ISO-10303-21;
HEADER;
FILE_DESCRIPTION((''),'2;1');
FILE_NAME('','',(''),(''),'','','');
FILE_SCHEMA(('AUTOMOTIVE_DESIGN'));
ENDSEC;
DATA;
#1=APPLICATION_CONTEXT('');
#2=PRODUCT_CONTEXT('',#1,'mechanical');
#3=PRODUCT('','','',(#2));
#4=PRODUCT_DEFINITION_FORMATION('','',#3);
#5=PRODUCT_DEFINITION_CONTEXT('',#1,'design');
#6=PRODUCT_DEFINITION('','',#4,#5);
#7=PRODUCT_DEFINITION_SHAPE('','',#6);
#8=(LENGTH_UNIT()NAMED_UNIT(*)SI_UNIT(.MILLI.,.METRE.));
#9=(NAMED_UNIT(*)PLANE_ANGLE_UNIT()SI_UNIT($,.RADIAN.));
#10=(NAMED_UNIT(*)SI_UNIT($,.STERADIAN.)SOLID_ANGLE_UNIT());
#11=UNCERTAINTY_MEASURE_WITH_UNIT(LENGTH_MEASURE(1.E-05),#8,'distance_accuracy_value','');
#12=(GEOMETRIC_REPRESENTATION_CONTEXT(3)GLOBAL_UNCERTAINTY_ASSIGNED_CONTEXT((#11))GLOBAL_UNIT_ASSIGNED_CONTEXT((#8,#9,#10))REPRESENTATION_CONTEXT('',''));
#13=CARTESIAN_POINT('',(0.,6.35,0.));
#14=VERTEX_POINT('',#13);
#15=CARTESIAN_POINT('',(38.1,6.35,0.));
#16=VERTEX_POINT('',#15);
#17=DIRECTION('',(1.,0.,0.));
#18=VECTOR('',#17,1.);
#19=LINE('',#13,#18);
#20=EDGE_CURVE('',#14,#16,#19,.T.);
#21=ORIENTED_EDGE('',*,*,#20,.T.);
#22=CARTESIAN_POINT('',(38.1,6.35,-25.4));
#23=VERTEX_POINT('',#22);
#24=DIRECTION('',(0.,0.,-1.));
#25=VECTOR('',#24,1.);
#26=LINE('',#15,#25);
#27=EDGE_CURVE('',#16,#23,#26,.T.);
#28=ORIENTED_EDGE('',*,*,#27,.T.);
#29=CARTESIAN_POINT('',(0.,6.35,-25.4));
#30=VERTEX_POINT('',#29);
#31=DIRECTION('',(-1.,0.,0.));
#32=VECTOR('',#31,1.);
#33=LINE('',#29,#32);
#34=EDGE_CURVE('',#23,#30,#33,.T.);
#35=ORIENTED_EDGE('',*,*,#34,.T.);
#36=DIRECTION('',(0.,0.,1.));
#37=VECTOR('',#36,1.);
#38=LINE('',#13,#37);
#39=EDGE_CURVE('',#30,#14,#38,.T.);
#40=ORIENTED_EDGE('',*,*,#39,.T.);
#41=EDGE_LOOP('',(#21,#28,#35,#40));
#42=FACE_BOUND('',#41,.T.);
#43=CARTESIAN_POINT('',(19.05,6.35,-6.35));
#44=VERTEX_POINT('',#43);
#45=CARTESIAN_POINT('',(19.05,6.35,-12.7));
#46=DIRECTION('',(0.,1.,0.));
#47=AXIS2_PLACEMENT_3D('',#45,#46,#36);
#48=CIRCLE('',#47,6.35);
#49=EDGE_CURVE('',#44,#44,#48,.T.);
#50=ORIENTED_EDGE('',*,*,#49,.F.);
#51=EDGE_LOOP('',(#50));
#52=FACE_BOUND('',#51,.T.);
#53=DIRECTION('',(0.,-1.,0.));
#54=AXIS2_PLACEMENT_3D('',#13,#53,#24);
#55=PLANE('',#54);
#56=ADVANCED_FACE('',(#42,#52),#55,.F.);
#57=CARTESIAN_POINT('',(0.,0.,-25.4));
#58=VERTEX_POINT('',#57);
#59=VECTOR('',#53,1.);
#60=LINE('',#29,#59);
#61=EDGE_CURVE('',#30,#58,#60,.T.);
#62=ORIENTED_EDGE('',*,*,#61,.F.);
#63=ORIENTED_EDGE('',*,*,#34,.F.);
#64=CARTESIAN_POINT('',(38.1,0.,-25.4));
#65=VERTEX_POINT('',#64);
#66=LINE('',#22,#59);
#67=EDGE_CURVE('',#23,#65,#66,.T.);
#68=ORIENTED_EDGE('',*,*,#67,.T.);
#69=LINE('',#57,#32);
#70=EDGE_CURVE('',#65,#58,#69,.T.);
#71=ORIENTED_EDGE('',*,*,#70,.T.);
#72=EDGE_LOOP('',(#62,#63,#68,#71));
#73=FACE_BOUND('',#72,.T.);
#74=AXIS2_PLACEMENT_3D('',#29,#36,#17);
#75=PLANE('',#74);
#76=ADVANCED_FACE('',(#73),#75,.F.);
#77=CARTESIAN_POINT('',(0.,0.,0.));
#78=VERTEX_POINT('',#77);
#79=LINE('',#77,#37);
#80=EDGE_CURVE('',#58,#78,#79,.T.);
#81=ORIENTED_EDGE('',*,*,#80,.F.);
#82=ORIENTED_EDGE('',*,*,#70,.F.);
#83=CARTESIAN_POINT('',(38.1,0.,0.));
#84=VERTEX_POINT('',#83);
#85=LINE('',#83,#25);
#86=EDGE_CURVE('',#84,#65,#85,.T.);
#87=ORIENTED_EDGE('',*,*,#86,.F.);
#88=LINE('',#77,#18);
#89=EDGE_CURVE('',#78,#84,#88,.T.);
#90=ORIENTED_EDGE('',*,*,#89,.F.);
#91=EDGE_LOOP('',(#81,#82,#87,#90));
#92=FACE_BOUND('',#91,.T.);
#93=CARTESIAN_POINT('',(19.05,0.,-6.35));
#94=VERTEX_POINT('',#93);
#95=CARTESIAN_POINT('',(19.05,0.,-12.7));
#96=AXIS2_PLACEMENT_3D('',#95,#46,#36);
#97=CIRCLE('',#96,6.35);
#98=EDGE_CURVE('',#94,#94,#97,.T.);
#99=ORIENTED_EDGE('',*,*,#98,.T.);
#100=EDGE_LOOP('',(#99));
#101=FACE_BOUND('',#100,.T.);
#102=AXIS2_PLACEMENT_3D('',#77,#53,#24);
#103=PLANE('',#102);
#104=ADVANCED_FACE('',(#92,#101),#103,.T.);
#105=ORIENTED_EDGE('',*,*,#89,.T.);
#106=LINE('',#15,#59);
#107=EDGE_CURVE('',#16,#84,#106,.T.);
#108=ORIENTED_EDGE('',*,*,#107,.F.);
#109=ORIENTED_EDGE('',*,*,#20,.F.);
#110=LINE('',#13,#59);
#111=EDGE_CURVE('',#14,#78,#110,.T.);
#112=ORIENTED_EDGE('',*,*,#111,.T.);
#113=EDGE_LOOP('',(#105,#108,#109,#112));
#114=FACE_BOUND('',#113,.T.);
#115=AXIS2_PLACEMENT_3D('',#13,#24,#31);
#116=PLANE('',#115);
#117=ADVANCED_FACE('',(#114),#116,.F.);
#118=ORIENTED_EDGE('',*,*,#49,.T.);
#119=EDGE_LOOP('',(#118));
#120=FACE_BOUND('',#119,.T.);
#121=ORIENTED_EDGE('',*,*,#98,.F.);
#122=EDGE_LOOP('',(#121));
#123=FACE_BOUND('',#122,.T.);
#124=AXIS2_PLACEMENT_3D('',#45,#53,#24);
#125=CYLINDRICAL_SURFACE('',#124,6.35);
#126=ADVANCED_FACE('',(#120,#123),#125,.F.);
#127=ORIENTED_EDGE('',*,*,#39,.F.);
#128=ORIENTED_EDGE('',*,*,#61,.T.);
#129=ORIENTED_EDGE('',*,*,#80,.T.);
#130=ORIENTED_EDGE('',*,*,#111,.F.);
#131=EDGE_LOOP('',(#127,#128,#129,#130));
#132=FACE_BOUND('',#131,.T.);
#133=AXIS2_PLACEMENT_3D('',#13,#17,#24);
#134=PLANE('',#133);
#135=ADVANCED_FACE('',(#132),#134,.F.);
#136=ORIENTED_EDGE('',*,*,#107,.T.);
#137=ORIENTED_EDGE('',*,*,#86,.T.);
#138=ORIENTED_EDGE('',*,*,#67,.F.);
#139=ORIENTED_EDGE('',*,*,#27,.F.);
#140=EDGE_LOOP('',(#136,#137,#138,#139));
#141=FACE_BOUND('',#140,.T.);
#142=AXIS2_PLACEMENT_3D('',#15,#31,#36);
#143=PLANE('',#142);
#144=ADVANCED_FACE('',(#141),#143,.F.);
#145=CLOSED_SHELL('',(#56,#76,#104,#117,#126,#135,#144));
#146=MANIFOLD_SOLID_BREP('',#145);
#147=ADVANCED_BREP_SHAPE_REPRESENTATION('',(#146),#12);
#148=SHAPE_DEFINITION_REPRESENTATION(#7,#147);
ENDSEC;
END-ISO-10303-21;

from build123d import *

# Parameters (mm, degrees)
SKETCH1_W           = 38.1
SKETCH1_H           = 25.4
SKETCH1_R           = 6.35
BOSS_EXTRUDE1_DEPTH = 6.35


with BuildPart() as part:
    # Sketch1 → Boss-Extrude1 (new body)
    with BuildSketch(Plane(origin=(0, 0, 0), x_dir=(1, 0, 0), z_dir=(0, 1, 0))):
        with Locations((19.05, 12.7)):
            Rectangle(SKETCH1_W, SKETCH1_H)
        with Locations((19.05, 12.7)):
            Circle(SKETCH1_R, mode=Mode.SUBTRACT)
    extrude(amount=BOSS_EXTRUDE1_DEPTH)


solid = part.part
